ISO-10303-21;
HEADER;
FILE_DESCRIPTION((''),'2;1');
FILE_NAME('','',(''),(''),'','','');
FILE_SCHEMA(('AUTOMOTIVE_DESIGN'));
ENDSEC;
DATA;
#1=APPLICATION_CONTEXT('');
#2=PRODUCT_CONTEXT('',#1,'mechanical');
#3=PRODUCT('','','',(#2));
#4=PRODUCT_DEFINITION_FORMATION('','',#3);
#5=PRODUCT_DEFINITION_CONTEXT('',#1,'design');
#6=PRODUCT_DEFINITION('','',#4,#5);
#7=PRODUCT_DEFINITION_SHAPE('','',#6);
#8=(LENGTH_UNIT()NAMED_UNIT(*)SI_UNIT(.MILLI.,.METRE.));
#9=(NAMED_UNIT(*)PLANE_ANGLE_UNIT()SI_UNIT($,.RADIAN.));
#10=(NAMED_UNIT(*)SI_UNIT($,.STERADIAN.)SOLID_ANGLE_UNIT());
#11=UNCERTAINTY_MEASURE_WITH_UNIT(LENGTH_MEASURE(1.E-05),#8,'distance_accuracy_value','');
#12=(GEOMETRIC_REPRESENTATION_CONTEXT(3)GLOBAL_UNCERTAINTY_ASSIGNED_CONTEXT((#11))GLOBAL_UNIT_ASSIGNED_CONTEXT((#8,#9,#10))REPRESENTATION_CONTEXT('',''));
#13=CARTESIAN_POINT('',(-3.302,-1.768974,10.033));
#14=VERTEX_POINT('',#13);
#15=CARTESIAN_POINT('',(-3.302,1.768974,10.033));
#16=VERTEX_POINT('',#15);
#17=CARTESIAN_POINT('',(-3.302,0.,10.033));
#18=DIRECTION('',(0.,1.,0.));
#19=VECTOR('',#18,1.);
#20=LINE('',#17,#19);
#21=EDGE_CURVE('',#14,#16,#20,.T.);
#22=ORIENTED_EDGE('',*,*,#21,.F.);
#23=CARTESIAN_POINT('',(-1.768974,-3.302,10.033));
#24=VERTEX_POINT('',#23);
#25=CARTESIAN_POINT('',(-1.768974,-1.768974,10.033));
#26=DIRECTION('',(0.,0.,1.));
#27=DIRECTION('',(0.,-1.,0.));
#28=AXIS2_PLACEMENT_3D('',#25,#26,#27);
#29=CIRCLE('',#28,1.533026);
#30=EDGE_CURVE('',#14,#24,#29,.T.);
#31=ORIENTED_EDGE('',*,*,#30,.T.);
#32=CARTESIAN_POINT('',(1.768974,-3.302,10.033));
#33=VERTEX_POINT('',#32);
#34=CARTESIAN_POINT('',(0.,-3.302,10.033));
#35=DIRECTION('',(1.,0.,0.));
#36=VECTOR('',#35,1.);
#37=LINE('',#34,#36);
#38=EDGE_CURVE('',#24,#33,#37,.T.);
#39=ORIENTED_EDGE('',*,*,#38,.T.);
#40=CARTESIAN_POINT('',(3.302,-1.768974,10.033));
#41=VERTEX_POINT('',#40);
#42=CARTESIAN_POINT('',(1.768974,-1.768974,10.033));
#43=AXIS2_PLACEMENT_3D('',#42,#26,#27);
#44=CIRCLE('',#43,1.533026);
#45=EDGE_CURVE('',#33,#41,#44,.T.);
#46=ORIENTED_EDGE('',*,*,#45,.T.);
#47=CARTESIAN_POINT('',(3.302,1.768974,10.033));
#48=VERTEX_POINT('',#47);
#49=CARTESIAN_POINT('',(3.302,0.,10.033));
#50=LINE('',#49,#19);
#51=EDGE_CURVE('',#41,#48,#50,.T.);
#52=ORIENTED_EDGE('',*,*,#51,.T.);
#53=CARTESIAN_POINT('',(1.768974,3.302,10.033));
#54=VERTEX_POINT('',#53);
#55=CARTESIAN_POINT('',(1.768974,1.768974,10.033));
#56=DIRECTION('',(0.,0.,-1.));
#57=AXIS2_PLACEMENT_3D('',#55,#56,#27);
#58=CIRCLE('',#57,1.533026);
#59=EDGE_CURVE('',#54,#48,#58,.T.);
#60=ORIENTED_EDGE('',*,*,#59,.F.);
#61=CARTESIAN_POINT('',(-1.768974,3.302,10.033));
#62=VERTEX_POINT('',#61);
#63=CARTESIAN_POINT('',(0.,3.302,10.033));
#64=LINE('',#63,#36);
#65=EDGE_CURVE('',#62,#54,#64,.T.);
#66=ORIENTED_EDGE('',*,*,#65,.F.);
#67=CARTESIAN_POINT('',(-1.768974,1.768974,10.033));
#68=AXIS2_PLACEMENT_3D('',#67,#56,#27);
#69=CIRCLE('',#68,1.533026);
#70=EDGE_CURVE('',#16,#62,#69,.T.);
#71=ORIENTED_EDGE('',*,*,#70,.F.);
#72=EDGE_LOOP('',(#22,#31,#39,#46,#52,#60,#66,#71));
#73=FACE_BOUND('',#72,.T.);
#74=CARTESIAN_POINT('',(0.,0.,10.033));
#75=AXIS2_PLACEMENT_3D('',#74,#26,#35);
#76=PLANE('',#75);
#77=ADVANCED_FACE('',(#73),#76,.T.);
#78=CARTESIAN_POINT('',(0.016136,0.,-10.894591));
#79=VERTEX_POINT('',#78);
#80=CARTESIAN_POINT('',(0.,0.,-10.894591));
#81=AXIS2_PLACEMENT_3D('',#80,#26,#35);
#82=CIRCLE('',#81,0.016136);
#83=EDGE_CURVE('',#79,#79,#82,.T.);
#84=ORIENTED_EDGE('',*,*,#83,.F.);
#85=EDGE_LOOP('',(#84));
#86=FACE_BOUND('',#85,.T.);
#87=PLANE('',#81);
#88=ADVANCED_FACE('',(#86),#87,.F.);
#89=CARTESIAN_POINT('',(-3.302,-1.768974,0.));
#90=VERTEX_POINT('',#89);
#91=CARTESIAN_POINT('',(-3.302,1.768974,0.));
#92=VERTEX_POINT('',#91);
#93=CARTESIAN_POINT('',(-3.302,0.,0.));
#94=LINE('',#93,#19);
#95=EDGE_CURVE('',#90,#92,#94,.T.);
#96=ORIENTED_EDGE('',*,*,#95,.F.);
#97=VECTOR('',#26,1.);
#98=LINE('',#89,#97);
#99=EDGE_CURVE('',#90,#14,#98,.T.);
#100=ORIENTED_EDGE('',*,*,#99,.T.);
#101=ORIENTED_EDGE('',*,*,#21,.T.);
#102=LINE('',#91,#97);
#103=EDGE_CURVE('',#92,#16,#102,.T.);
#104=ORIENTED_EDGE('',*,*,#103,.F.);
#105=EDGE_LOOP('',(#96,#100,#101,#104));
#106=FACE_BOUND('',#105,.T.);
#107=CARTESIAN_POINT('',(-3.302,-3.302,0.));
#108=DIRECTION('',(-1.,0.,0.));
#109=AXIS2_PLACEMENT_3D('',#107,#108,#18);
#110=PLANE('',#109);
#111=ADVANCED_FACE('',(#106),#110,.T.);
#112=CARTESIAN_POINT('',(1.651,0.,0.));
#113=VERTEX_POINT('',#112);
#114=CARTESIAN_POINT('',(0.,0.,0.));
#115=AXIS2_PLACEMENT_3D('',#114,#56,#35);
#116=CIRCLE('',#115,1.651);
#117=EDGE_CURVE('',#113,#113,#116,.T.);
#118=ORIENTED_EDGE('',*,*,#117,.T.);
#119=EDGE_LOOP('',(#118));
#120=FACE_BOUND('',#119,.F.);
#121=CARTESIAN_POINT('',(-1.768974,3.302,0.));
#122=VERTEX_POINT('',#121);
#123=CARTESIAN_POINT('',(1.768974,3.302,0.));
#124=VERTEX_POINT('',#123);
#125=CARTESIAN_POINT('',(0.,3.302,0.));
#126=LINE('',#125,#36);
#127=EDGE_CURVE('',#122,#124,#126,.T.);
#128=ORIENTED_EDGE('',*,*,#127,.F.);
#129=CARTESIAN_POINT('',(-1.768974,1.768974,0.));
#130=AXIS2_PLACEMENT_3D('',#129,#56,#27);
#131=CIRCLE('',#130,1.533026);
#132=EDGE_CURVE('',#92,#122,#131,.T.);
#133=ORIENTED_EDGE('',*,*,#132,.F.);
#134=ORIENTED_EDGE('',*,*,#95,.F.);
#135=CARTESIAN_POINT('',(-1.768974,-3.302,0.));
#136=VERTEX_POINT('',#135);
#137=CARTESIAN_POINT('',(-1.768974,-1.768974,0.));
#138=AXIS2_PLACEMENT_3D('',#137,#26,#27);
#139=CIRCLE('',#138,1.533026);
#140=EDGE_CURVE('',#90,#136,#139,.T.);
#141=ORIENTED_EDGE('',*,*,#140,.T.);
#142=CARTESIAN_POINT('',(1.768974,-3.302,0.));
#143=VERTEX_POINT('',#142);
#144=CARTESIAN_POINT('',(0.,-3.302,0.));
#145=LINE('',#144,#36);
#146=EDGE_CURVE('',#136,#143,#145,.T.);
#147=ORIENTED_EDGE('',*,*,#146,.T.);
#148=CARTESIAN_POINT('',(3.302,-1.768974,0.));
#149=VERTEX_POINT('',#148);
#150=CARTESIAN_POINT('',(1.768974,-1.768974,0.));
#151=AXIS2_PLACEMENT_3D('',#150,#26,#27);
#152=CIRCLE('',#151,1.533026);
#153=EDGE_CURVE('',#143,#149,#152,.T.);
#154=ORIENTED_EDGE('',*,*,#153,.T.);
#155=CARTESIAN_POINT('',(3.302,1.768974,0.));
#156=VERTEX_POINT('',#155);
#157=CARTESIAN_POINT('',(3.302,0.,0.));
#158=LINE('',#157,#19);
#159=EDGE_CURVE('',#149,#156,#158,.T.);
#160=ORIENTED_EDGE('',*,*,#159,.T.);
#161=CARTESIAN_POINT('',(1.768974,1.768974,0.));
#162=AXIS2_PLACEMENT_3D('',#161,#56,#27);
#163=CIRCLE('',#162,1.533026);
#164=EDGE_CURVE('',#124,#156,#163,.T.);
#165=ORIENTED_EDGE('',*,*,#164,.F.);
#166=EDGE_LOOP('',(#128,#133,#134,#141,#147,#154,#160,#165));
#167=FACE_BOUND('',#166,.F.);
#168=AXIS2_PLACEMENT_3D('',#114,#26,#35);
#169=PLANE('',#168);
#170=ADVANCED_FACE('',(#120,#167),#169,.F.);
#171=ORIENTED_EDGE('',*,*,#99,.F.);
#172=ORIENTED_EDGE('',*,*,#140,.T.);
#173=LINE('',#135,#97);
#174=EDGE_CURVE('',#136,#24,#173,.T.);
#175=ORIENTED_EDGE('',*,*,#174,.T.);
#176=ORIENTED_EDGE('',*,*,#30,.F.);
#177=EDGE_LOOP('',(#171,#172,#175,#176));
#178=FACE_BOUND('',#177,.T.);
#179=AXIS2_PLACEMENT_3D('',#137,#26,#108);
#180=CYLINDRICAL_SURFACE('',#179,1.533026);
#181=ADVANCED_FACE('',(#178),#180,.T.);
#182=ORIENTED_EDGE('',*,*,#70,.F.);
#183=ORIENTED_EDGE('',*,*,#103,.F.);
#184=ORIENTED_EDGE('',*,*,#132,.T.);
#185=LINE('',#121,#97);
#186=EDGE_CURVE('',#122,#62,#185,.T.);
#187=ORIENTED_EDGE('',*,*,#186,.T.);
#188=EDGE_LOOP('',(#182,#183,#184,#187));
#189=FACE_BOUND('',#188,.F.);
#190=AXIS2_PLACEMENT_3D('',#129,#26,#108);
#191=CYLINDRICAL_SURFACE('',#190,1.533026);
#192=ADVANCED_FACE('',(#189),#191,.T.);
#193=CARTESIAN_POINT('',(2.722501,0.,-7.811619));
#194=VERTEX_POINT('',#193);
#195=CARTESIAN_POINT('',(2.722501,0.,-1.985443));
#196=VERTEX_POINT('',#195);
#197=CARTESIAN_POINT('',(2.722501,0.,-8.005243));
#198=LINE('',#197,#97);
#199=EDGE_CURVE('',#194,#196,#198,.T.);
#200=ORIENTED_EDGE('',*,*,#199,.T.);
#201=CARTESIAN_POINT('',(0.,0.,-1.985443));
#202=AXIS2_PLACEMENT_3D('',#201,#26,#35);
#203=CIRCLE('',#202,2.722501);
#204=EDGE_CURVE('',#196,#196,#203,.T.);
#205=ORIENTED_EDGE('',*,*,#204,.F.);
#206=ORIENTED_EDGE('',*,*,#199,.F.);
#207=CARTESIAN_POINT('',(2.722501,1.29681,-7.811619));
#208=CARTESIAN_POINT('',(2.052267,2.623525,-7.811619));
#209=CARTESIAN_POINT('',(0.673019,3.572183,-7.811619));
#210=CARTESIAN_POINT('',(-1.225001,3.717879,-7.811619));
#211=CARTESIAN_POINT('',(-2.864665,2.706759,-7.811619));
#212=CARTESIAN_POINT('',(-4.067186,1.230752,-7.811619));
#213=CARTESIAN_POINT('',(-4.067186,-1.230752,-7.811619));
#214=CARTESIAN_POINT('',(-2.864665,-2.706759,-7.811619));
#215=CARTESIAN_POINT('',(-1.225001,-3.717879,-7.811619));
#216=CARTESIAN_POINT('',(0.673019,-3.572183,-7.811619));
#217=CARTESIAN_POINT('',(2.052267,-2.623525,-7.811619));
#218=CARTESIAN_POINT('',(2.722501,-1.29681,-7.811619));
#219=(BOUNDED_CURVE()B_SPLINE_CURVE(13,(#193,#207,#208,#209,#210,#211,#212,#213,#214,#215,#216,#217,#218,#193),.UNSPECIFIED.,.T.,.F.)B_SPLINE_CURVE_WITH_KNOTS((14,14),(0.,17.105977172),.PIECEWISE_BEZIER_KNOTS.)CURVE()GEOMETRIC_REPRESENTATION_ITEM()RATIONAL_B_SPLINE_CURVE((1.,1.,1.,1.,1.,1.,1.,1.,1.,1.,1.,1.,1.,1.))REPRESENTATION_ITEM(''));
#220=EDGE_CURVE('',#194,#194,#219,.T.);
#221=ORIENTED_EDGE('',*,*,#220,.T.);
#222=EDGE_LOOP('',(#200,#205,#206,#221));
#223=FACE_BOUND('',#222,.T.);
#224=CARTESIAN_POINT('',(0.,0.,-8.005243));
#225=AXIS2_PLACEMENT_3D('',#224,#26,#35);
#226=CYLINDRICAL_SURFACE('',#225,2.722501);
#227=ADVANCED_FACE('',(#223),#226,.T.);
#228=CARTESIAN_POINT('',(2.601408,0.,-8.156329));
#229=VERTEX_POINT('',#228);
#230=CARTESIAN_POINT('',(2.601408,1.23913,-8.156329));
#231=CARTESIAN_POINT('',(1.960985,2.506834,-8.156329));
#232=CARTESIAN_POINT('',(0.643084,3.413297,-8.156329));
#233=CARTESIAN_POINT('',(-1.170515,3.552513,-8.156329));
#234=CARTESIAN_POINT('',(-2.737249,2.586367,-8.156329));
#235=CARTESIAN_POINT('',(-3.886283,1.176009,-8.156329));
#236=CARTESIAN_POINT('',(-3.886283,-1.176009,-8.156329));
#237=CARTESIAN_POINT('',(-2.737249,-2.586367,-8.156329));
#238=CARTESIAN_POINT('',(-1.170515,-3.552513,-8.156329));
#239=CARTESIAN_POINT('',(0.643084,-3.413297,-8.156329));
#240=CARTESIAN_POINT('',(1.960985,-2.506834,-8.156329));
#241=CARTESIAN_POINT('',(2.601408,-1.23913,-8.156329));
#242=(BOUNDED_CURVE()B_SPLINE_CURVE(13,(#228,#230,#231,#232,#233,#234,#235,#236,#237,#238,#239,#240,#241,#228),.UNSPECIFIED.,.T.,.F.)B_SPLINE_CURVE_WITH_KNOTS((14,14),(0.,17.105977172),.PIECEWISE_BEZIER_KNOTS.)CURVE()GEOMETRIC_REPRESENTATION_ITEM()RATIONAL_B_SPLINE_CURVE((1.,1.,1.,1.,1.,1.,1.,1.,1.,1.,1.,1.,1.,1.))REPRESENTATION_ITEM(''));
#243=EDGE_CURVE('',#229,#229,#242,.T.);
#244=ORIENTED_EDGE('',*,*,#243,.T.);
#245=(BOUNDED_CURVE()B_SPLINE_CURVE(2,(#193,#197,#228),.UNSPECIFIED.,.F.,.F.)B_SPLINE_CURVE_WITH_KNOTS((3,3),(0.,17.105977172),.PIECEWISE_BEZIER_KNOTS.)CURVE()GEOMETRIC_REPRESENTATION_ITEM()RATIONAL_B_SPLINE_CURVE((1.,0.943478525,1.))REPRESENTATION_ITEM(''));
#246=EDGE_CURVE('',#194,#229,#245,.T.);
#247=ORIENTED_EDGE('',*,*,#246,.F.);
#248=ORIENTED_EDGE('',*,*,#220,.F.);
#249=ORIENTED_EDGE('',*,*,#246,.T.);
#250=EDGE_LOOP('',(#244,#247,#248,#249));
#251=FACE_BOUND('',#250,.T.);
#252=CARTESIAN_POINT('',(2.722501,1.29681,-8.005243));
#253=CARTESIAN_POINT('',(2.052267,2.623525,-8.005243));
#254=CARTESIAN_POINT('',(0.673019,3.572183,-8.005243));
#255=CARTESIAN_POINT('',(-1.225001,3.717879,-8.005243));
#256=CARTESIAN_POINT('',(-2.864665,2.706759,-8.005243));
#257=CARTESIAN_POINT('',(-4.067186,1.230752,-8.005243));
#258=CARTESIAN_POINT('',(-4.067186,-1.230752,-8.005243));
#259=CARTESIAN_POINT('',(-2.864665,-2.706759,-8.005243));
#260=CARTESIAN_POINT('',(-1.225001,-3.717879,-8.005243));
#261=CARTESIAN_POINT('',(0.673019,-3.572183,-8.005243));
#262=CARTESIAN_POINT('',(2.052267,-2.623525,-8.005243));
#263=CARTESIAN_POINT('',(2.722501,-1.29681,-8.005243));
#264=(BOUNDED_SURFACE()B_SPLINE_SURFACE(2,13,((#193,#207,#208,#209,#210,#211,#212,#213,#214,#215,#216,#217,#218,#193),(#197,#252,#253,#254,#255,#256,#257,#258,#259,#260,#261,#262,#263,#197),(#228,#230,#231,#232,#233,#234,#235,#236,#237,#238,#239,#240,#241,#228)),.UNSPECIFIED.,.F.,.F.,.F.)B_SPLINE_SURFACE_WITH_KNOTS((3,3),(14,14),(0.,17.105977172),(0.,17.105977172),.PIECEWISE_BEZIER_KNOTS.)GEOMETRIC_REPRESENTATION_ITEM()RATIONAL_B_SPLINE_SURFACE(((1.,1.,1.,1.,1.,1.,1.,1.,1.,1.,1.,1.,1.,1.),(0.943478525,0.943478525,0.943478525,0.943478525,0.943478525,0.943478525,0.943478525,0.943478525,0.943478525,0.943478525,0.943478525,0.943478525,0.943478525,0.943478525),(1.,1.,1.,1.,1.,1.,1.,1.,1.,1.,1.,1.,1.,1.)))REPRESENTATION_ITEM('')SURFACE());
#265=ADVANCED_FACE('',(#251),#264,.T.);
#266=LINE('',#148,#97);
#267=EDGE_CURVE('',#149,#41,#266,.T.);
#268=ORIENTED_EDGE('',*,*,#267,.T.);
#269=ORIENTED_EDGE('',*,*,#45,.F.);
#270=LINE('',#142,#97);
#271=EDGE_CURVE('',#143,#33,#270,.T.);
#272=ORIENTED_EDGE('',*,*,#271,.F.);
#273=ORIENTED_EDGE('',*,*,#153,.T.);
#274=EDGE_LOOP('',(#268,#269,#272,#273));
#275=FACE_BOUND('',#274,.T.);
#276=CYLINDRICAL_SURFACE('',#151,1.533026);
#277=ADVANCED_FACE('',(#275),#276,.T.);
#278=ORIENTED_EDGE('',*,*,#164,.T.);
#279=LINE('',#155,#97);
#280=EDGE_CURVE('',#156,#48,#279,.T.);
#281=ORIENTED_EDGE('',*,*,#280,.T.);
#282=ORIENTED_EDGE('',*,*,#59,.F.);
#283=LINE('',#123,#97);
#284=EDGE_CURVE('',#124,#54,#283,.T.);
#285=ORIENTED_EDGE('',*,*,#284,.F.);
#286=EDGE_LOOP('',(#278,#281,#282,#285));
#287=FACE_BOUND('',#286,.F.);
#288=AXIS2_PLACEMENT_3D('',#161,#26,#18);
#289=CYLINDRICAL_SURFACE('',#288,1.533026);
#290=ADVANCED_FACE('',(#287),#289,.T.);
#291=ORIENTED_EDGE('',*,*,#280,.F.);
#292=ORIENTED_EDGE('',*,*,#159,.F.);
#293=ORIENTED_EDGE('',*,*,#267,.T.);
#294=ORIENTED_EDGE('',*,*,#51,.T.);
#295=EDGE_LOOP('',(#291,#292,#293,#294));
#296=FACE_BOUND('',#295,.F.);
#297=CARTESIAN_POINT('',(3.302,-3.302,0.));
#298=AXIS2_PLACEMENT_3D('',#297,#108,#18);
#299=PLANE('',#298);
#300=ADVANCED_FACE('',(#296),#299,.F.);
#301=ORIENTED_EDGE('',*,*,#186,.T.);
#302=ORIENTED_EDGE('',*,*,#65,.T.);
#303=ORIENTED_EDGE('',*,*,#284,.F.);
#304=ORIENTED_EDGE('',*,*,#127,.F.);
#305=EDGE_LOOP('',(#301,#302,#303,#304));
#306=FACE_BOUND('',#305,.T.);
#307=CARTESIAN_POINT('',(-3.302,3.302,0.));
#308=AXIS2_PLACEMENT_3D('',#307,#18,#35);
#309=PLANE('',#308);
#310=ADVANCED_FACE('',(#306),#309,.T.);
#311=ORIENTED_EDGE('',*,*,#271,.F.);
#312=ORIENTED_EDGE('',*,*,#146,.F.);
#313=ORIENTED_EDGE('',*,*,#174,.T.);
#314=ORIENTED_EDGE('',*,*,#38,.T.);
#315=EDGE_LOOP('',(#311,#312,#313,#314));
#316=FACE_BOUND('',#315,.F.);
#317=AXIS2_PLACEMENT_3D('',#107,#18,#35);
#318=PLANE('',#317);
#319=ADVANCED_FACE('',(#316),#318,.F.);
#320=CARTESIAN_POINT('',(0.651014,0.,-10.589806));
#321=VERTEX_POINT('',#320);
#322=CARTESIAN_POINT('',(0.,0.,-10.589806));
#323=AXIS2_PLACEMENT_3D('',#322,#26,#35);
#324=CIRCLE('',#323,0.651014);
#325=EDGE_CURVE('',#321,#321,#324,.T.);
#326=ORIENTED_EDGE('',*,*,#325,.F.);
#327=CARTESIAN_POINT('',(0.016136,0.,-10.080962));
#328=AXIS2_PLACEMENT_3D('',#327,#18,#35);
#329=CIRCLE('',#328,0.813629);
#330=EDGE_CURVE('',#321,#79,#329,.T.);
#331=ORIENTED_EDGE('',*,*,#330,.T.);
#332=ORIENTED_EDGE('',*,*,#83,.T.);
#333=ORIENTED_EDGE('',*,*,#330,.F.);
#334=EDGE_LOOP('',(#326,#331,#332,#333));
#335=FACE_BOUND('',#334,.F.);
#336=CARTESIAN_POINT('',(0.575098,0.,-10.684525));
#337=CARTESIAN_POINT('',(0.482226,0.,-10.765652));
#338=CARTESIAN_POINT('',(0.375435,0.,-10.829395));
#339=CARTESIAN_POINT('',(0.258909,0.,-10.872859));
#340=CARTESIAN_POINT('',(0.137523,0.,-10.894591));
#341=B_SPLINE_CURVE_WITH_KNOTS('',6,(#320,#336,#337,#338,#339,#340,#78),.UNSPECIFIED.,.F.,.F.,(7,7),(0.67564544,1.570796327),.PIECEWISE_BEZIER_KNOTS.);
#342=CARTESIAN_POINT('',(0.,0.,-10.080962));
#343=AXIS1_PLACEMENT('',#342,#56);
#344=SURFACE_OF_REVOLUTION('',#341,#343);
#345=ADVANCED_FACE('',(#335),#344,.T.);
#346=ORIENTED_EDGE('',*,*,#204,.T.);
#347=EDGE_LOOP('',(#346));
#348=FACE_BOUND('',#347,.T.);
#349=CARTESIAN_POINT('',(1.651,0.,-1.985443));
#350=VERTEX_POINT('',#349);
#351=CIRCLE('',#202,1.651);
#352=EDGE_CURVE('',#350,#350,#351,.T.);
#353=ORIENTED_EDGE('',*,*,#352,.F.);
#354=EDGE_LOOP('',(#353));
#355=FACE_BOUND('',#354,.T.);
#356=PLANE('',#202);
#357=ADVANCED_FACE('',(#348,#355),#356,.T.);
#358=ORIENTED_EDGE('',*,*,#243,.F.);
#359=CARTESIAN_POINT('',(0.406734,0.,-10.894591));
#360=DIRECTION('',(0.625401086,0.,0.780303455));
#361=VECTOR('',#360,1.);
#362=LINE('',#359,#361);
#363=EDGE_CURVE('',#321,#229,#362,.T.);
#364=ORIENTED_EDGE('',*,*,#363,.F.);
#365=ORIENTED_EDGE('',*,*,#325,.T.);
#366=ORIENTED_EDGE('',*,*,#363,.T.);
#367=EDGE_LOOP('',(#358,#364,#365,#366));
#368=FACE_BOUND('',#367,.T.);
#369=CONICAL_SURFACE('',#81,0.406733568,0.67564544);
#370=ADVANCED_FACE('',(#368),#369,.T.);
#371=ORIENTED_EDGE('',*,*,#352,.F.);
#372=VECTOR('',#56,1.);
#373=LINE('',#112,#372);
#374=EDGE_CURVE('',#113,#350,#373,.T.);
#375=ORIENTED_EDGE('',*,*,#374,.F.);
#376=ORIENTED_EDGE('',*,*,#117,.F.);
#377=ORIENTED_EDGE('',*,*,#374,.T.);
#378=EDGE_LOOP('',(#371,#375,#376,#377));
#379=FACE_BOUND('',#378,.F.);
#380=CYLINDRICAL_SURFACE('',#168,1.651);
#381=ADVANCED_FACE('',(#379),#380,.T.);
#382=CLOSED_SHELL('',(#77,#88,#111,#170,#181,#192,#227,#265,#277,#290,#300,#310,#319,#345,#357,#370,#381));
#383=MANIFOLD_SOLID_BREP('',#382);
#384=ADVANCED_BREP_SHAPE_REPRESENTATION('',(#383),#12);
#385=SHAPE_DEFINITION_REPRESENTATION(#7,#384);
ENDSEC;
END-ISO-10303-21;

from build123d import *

# Parameters (mm, degrees)
F0_W     = 6.604
F0_H     = 6.604
F1_DEPTH = 10.033
F2_R     = 1.651
F3_DEPTH = 2.032
F7_R     = 0.8136293968
F8_R     = 1.5330256121
F9_R     = 0.551182731


with BuildPart() as f1:
    # F0 (on Top) → F1 (new body)
    with BuildSketch(Plane.XY):
        Rectangle(F0_W, F0_H)
    extrude(amount=F1_DEPTH)

    # F2 (on face) → F3 (join)
    with BuildSketch(Plane(origin=(0, 0, 0), x_dir=(1, 0, 0), z_dir=(0, 0, -1))):
        Circle(F2_R)
    extrude(amount=F3_DEPTH)

    # F5 (on mid) → F6 (revolve)
    with BuildSketch(Plane.XZ):
        Polygon((2.7225008234, -1.9854432903), (1.6116809566, -1.9854432903), (0, -1.9854432903), (0, -10.8945909888), (0.4067335685, -10.8945909888), (2.7225008234, -8.0052432903), align=None)
    revolve(axis=Axis((0, 0, -6.4400171395), (0, 0, 1)))

    # F7
    f7_edges = [f1.edges().sort_by_distance(p)[0] for p in [
        (-0.406734, 0, -10.894591),
    ]]
    fillet(f7_edges, radius=F7_R)

    # F8
    f8_edges = [f1.edges().sort_by_distance(p)[0] for p in [
        (-3.302, -3.302, 5.0165),
        (3.302, -3.302, 5.0165),
        (3.302, 3.302, 5.0165),
        (-3.302, 3.302, 5.0165),
    ]]
    fillet(f8_edges, radius=F8_R)

    # F9
    f9_edges = [f1.edges().sort_by_distance(p)[0] for p in [
        (-2.722501, 0, -8.005243),
    ]]
    fillet(f9_edges, radius=F9_R)


solid = f1.part
